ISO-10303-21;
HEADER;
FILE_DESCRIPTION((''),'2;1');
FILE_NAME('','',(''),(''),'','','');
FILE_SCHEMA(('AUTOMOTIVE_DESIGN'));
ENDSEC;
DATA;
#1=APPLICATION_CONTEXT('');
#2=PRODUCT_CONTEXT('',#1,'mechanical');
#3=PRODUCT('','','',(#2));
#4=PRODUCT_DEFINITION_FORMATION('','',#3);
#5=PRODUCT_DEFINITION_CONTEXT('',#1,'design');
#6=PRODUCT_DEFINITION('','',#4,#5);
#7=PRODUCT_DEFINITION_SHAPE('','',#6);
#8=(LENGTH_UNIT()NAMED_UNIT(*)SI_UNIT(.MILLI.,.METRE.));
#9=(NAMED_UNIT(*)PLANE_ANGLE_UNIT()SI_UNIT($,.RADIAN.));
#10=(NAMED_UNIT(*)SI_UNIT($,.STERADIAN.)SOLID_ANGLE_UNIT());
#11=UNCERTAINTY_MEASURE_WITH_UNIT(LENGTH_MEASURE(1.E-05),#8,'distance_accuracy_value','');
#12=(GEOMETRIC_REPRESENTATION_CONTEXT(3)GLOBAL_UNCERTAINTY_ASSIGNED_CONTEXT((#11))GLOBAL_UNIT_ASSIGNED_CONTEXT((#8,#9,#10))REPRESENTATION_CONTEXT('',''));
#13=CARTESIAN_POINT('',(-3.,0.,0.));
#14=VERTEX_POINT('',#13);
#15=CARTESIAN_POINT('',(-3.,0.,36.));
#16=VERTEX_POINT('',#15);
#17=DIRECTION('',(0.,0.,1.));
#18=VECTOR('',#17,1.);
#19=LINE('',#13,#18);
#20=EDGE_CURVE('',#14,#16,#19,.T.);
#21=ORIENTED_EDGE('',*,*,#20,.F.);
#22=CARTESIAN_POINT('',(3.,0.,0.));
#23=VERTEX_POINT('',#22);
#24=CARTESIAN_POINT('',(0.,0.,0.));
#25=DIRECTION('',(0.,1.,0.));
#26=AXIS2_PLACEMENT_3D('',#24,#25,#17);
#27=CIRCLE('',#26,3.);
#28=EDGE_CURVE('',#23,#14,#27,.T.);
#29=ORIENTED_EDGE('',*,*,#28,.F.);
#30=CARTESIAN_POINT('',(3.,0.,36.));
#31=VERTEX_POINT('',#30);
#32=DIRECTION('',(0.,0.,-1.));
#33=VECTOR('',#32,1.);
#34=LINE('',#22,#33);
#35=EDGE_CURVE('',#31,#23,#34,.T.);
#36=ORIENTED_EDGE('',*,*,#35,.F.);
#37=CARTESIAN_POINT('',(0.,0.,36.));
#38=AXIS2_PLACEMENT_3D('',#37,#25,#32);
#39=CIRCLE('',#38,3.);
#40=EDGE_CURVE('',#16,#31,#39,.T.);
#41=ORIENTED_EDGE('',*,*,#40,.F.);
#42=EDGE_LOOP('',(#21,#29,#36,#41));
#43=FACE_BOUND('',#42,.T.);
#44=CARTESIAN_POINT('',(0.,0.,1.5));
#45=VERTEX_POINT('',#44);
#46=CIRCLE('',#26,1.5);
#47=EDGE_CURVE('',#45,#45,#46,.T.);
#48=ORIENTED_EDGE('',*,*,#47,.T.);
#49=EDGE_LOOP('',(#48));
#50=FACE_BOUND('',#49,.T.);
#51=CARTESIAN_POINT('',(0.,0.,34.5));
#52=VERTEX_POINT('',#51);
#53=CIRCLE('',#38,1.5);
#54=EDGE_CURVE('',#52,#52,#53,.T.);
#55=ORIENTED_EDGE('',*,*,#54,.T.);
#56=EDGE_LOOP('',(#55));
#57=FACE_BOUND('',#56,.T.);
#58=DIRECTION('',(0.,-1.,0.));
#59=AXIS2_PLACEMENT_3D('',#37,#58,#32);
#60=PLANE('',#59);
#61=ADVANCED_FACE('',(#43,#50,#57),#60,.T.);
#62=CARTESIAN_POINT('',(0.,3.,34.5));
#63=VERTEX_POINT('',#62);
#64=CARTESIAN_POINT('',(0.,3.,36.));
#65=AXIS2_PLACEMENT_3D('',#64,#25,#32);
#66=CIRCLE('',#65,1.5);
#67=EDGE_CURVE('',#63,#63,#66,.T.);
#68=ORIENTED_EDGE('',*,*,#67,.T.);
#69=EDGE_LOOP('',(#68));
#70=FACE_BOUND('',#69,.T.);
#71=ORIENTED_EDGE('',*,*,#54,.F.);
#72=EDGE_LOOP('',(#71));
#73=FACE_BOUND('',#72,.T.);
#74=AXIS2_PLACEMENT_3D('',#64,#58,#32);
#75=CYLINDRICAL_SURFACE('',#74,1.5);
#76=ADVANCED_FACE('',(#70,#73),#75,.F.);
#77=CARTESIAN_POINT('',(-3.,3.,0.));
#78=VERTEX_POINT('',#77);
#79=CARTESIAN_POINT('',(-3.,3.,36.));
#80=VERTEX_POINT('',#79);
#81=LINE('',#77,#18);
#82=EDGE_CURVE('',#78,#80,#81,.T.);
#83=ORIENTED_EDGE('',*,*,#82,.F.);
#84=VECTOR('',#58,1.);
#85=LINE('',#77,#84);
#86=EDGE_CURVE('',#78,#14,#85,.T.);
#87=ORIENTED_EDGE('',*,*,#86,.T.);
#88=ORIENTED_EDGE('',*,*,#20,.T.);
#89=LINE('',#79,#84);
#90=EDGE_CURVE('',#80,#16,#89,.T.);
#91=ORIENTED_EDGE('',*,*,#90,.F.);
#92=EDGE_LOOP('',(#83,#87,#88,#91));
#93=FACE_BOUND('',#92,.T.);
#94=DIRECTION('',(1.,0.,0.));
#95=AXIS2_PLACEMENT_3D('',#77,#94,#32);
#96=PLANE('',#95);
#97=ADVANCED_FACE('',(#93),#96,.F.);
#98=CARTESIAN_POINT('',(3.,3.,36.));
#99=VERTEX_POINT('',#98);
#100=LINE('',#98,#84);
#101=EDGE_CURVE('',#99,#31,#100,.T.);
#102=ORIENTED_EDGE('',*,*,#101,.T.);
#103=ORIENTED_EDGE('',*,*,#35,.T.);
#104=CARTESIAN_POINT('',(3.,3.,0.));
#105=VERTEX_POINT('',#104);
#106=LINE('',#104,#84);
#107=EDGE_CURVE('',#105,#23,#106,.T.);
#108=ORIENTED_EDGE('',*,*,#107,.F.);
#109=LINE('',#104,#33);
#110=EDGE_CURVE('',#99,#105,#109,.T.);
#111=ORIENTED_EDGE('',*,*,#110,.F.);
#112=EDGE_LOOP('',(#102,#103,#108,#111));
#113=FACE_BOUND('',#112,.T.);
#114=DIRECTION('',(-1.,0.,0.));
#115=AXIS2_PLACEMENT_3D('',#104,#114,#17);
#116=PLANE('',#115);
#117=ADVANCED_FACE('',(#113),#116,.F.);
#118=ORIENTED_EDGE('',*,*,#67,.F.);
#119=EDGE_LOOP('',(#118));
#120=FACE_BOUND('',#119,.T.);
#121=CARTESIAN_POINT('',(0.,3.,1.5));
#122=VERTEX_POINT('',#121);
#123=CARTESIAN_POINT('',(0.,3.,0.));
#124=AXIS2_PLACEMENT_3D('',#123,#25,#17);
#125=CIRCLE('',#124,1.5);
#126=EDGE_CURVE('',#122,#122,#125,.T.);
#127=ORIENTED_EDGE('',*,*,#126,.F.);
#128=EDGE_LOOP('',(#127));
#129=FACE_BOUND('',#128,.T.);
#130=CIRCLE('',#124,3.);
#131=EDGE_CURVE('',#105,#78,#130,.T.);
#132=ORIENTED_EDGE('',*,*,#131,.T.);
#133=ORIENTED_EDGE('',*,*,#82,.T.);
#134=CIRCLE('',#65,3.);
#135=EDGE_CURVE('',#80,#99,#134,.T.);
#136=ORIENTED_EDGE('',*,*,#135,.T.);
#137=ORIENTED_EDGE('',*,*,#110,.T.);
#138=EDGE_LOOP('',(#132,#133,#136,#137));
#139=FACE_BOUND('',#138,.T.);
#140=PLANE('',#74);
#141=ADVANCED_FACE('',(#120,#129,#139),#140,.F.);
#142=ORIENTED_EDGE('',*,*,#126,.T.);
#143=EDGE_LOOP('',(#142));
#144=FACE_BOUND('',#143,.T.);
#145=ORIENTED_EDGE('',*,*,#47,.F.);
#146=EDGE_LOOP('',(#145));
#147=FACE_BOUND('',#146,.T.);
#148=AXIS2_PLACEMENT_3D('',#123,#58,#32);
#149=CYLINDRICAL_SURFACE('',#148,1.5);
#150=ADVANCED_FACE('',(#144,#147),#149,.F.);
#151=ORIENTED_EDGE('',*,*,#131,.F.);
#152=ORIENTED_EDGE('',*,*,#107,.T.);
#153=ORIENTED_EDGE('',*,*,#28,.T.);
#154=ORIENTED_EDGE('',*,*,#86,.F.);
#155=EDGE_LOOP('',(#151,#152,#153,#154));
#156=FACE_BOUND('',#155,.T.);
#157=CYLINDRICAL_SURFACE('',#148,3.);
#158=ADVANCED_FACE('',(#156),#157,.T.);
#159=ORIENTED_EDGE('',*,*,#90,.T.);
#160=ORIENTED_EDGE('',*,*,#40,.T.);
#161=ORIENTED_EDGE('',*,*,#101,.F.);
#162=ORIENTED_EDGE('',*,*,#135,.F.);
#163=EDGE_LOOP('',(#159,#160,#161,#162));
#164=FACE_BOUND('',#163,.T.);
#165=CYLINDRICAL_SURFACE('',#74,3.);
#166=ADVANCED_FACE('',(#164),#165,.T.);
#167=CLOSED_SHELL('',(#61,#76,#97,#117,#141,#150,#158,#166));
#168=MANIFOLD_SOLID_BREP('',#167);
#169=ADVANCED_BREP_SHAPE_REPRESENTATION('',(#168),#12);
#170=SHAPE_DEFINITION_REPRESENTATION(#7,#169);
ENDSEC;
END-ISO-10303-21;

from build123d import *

# Parameters (mm, degrees)
ESQUISSE1_R        = 1.5
BOSS_EXTRU_1_DEPTH = 3


with BuildPart() as part:
    # Esquisse1 → Boss.-Extru.1 (new body)
    with BuildSketch(Plane(origin=(0, 0, 0), x_dir=(1, 0, 0), z_dir=(0, 1, 0))):
        with BuildLine():
            Line((-3, 0), (-3, -36))
            ThreePointArc((-3, -36), (0, -39), (3, -36))
            Line((3, -36), (3, 0))
            ThreePointArc((3, 0), (0, 3), (-3, 0))
        make_face()
        with Locations(Location((0, 0, 0), (0, 0, 270))):
            Circle(ESQUISSE1_R, mode=Mode.SUBTRACT)
        with Locations(Location((0, -36, 0), (0, 0, 90))):
            Circle(ESQUISSE1_R, mode=Mode.SUBTRACT)
    extrude(amount=BOSS_EXTRU_1_DEPTH)


solid = part.part
